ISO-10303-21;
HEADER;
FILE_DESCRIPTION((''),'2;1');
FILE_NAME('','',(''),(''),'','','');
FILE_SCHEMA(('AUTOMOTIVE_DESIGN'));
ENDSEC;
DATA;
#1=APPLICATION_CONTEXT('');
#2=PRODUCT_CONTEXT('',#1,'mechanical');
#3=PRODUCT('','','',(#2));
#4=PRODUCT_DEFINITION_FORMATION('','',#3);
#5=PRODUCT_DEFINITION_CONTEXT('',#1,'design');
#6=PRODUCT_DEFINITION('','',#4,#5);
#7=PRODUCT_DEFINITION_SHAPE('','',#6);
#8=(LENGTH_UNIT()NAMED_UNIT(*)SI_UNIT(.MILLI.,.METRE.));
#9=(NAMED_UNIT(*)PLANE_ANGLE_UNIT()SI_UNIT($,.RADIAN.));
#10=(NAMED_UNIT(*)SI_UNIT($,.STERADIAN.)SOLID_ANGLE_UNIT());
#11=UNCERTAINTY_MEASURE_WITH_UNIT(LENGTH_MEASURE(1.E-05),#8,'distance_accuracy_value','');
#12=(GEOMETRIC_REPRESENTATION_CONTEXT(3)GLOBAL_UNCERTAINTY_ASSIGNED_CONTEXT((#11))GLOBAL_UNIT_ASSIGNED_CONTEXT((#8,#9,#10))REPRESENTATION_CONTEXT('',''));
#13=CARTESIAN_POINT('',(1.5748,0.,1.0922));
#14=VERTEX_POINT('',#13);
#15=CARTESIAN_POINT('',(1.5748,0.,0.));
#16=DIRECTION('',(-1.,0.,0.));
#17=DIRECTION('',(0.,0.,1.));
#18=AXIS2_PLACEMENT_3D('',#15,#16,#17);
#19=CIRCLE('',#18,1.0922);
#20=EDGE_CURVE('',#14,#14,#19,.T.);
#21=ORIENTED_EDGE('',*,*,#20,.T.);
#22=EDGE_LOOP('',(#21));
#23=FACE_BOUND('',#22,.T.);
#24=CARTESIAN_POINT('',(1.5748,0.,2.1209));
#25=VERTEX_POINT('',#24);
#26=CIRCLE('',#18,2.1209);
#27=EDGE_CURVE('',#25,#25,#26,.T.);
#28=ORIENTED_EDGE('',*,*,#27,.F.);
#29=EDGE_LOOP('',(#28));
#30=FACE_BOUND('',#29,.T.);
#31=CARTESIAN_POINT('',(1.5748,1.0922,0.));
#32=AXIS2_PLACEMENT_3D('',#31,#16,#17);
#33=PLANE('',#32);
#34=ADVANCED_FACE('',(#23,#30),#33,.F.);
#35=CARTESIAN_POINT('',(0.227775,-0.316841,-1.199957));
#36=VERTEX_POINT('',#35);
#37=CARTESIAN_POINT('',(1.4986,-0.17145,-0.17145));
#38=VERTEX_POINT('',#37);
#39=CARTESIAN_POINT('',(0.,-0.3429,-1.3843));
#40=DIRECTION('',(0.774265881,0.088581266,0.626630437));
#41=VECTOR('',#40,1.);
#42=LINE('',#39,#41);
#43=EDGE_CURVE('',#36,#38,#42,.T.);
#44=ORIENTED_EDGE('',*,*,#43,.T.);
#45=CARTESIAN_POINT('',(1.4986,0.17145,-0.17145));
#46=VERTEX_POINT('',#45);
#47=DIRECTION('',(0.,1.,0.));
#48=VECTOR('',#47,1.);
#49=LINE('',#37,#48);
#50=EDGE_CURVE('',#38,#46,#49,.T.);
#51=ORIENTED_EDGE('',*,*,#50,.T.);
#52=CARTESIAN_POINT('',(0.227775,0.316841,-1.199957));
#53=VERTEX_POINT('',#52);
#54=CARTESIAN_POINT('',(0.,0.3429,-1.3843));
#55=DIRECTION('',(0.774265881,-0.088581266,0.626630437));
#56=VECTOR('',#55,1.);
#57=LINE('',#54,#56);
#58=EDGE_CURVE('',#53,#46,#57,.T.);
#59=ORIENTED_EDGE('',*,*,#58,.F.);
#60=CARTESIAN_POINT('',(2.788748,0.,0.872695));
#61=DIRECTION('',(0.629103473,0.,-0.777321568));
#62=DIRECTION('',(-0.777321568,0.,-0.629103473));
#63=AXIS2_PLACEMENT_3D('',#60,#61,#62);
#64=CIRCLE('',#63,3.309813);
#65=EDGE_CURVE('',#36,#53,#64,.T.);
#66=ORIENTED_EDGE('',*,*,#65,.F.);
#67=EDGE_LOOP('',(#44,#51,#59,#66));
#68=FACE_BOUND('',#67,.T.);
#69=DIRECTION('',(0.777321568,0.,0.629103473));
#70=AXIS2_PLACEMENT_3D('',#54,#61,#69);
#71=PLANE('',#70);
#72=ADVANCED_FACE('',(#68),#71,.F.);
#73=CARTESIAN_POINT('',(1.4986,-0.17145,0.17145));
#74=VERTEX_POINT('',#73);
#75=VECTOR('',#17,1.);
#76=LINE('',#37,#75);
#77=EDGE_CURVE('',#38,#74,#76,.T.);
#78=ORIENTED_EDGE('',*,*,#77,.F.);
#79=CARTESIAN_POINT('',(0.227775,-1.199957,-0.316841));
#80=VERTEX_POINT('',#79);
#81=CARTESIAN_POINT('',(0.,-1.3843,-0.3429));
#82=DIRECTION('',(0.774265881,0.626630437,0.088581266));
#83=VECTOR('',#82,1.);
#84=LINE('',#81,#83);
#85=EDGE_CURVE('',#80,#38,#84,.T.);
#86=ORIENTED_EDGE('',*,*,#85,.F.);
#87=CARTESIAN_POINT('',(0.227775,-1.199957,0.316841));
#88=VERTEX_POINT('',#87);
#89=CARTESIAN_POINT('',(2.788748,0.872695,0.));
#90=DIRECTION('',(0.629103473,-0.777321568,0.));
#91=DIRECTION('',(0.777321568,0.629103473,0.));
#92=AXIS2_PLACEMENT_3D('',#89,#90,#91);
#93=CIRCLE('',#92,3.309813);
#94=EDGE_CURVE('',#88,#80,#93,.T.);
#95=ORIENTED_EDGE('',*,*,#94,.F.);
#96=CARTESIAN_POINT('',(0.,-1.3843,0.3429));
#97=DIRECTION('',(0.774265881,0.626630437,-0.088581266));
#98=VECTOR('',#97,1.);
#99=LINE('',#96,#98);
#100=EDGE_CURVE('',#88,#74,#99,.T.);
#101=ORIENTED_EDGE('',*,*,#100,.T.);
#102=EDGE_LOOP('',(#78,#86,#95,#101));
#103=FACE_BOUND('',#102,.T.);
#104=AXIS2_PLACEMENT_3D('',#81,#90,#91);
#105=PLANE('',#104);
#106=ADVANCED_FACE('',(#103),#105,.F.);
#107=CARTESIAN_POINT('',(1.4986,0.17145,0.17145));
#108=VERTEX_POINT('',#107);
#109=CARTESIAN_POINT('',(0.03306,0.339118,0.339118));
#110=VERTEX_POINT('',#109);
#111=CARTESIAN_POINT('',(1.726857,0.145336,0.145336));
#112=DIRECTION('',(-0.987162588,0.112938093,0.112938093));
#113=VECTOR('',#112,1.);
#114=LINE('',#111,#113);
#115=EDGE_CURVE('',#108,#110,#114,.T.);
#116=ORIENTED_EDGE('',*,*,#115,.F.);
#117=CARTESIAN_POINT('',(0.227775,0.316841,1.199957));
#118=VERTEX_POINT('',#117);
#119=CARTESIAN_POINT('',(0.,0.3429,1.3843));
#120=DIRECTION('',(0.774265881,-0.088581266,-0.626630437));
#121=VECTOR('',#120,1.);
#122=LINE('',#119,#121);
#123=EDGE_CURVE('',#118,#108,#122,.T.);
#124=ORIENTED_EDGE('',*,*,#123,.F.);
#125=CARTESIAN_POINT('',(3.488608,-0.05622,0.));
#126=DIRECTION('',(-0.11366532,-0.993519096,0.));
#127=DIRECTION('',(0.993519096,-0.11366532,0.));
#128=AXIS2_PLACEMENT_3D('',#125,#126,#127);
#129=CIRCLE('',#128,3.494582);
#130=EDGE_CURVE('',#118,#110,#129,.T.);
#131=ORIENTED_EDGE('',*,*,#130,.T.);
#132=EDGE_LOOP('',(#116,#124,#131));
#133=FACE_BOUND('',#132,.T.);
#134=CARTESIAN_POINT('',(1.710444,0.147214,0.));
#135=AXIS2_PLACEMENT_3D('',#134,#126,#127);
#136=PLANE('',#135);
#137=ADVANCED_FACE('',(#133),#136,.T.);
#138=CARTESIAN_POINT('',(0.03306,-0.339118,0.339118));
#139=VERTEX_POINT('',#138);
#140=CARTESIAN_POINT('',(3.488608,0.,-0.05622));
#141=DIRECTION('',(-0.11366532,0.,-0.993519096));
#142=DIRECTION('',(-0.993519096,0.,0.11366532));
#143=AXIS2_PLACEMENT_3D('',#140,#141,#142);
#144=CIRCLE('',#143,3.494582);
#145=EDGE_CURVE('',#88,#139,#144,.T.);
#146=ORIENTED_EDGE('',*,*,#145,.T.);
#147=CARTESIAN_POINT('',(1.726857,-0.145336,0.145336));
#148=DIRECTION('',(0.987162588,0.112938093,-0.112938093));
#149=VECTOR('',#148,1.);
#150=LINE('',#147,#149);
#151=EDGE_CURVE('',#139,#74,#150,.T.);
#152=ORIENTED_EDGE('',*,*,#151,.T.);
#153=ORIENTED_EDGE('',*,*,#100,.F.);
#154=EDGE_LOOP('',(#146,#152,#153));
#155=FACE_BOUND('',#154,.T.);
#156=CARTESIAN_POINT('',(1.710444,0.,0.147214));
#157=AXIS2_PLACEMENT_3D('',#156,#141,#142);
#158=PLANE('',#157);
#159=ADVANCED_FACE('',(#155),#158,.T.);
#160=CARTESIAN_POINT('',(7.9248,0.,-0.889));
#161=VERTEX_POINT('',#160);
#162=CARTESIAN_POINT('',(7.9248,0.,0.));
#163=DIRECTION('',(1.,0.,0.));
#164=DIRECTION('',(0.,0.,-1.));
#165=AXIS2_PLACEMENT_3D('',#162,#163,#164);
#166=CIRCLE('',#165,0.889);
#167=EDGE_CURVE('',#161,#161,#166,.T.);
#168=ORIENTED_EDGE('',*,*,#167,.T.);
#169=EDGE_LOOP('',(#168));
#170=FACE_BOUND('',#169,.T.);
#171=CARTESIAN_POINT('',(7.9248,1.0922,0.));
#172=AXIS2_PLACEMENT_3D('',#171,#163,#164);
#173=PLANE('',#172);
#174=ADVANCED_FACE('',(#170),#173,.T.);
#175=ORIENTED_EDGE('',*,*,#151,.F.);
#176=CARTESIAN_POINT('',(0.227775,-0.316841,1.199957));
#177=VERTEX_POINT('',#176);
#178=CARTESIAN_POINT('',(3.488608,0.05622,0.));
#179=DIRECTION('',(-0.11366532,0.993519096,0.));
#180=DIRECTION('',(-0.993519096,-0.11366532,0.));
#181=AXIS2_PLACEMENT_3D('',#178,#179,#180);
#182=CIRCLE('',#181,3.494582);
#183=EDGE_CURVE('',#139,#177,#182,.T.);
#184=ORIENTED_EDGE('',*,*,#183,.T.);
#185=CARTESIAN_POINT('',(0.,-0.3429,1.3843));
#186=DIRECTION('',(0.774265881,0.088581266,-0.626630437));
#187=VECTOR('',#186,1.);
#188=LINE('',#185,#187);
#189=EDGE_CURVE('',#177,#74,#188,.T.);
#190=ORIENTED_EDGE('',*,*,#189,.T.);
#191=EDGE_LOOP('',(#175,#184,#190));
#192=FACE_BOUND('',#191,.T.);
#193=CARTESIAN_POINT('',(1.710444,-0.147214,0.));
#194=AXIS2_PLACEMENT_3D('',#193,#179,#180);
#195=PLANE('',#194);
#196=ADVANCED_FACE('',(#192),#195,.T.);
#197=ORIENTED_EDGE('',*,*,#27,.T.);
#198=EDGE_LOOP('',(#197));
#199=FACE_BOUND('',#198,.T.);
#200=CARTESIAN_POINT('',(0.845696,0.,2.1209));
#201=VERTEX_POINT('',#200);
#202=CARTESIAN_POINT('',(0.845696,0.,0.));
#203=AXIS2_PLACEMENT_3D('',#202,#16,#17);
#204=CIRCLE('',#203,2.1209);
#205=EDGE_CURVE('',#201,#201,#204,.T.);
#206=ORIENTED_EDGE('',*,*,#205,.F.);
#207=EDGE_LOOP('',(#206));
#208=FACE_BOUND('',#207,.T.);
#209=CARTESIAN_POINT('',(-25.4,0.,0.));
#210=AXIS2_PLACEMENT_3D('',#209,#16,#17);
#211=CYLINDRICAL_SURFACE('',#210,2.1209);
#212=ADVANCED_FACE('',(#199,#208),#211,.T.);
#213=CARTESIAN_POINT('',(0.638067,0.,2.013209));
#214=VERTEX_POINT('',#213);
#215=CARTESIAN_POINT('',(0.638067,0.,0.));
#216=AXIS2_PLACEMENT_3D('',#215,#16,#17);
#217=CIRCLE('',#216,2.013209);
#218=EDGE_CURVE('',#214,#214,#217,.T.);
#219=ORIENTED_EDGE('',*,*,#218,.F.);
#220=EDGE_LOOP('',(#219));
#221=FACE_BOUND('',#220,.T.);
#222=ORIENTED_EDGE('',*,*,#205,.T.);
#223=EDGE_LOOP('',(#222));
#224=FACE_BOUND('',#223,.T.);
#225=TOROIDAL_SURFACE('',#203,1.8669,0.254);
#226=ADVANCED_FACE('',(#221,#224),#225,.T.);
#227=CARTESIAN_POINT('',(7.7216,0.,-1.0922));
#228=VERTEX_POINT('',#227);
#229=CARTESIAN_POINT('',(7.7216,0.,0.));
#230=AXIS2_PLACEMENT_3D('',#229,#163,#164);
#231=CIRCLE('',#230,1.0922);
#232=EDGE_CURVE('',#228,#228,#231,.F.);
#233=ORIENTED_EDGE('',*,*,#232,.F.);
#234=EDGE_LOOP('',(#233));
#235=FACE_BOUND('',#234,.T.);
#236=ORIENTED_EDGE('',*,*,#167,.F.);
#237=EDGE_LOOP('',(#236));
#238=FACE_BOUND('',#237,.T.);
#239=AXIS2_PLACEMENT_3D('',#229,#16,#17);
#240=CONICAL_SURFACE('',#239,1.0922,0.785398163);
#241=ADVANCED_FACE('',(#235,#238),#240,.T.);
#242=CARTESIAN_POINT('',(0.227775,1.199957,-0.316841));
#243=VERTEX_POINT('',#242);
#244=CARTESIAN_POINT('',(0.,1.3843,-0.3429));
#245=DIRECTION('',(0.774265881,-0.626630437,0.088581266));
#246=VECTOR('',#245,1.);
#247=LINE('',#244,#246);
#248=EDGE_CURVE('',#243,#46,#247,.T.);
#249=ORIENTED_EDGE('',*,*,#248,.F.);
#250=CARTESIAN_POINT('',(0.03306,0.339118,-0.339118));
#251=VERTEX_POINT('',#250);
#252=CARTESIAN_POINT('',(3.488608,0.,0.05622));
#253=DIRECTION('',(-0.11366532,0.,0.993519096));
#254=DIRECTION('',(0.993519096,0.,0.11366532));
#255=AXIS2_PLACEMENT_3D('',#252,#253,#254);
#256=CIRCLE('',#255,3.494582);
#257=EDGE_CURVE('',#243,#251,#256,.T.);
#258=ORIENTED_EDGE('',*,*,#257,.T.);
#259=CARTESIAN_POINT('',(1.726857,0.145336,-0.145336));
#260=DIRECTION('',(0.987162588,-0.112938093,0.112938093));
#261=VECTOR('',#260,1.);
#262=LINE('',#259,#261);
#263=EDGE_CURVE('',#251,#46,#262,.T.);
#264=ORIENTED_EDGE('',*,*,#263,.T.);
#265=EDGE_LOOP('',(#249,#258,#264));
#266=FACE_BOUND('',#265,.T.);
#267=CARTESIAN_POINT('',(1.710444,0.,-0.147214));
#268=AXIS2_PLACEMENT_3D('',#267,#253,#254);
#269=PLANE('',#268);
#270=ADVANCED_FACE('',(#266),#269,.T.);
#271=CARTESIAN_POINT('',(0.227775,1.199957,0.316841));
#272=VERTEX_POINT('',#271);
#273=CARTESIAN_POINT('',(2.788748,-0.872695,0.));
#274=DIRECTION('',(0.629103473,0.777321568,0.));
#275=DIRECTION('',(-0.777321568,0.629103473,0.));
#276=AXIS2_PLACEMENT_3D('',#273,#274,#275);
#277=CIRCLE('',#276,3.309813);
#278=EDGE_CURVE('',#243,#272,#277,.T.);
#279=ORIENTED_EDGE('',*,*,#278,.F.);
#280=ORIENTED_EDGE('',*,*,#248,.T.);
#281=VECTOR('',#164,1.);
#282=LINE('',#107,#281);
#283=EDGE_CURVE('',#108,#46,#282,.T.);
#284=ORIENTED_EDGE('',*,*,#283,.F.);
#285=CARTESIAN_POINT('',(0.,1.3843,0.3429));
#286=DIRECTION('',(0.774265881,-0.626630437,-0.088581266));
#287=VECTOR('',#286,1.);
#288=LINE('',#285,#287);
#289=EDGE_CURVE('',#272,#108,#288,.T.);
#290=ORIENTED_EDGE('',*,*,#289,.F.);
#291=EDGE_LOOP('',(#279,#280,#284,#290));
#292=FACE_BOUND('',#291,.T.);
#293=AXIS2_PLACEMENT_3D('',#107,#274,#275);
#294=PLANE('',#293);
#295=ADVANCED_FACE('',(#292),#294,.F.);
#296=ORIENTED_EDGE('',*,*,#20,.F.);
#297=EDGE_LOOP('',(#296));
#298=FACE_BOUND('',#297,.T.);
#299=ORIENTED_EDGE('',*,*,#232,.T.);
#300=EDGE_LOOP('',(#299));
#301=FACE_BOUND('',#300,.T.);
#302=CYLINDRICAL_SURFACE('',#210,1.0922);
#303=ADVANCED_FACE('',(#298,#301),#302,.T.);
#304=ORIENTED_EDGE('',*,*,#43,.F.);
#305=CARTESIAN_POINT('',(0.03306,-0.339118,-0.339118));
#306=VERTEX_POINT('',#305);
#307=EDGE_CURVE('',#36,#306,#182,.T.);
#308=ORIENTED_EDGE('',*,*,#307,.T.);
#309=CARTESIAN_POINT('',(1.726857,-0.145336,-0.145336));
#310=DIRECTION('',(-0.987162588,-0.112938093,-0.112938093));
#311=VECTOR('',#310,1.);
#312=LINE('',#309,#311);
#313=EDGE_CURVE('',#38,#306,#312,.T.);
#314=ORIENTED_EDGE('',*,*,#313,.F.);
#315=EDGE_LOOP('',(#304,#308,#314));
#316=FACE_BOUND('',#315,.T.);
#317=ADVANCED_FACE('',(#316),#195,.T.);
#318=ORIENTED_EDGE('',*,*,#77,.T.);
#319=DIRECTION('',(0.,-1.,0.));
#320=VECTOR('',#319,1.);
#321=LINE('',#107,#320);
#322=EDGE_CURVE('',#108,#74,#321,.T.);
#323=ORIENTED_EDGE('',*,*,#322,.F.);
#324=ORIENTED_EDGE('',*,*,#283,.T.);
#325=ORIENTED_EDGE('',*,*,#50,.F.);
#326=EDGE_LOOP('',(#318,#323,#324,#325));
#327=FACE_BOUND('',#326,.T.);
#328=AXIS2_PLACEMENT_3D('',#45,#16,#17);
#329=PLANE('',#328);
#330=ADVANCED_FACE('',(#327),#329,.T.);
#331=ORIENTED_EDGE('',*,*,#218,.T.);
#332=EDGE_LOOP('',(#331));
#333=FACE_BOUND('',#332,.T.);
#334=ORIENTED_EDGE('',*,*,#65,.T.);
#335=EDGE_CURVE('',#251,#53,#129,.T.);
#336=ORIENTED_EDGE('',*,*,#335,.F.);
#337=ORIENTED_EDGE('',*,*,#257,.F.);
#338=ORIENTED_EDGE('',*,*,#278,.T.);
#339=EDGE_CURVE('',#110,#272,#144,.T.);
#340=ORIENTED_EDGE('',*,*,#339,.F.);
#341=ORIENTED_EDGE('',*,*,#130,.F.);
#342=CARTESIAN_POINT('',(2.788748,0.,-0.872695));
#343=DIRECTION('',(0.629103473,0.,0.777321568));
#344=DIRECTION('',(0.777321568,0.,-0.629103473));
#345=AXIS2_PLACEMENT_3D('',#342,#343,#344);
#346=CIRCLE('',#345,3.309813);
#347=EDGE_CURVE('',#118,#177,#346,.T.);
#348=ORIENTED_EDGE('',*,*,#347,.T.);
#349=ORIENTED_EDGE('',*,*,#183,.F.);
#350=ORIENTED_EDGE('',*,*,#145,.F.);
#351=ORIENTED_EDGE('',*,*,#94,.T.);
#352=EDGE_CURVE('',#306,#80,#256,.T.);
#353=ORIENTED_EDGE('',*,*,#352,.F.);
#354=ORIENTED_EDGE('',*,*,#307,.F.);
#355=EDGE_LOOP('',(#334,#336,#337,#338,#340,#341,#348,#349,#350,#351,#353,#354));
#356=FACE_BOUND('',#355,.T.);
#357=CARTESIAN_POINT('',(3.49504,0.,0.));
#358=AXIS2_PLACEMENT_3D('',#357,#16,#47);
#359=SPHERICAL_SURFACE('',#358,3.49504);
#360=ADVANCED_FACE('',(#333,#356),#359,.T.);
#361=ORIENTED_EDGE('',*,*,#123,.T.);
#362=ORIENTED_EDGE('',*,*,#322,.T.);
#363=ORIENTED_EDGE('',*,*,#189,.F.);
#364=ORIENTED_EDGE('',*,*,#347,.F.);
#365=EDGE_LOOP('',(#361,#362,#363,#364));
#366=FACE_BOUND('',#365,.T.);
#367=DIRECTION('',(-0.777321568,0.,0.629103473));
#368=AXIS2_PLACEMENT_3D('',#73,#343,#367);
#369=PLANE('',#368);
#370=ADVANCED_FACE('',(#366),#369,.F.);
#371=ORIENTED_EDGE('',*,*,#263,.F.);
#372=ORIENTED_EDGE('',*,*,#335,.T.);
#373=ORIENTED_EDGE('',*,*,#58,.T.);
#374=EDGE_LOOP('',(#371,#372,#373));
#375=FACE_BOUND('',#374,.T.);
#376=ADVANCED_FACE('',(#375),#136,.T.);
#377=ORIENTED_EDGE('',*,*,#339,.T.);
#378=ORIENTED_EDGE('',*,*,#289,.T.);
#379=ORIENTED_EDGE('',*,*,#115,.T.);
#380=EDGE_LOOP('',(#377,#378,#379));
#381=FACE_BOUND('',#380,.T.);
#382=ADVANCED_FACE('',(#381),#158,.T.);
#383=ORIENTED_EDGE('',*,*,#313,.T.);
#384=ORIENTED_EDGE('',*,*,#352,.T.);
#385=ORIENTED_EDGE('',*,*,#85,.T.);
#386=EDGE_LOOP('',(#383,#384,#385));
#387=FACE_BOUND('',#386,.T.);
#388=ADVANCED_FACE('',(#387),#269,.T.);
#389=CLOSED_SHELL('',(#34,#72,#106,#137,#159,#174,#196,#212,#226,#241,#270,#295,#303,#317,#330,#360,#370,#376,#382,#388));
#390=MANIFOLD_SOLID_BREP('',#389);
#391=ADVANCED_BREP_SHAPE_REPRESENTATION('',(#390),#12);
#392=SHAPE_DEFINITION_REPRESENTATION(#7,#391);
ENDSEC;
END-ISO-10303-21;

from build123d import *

# Parameters (mm, degrees)
CIRPATTERN1_COUNT = 2
CIRPATTERN1_ANGLE = 90
CHAMFER1_SIZE     = 0.2032


with BuildPart() as part:
    # BodySke → Base-Revolve (revolve)
    with BuildSketch(Plane.XY, mode=Mode.PRIVATE) as base_revolve_sk:
        with BuildLine():
            Line((1.5748, 1.0922), (1.5748, 2.1209))
            Line((1.5748, 2.1209), (0.845695803, 2.1209))
            ThreePointArc((0.845695803, 2.1209), (0.728748015, 2.09237553), (0.638066948, 2.013208777))
            ThreePointArc((0.638066948, 2.013208777), (0.163333253, 1.05595206), (0, 0))
            Line((0, 0), (7.9248, 0))
            Line((7.9248, 0), (7.9248, 1.0922))
            Line((7.9248, 1.0922), (1.5748, 1.0922))
        make_face()
    revolve(base_revolve_sk.sketch.rotate(Axis((-25.4, 0, 0), (1, 0, 0)), 90), axis=Axis((-25.4, 0, 0), (1, 0, 0)))

    # Sketch3 → Cut-Loft1 section 0
    with BuildSketch(Plane(origin=(0, 0, 0), x_dir=(0, 0, -1), z_dir=(1, 0, 0))):
        with BuildLine():
            Line((0.3429, -1.3843), (-0.3429, -1.3843))
            Line((-0.3429, -1.3843), (-0.3429, 1.3843))
            Line((-0.3429, 1.3843), (0.3429, 1.3843))
            Line((0.3429, 1.3843), (0.3429, -1.3843))
        make_face()
    # Sketch4 → Cut-Loft1 section 1
    with BuildSketch(Plane(origin=(1.4986, 0, 0), x_dir=(0, 0, -1), z_dir=(1, 0, 0))):
        with BuildLine():
            Line((0.17145, -0.17145), (-0.17145, -0.17145))
            Line((-0.17145, -0.17145), (-0.17145, 0.17145))
            Line((-0.17145, 0.17145), (0.17145, 0.17145))
            Line((0.17145, 0.17145), (0.17145, -0.17145))
        make_face()
    cut_loft1 = loft(mode=Mode.SUBTRACT)

    # CirPattern1: Cut-Loft1 ×2 about axis
    cirpattern1_axis = Axis((0, 0, 0), (1, 0, 0))
    for i in range(1, CIRPATTERN1_COUNT):
        add(cut_loft1.rotate(cirpattern1_axis, i * CIRPATTERN1_ANGLE / (CIRPATTERN1_COUNT - 1)), mode=Mode.SUBTRACT)

    # Chamfer1
    chamfer1_edges = [part.edges().sort_by_distance(p)[0] for p in [
        (7.9248, 0, -1.0922),
    ]]
    chamfer(chamfer1_edges, length=CHAMFER1_SIZE)


solid = part.part
